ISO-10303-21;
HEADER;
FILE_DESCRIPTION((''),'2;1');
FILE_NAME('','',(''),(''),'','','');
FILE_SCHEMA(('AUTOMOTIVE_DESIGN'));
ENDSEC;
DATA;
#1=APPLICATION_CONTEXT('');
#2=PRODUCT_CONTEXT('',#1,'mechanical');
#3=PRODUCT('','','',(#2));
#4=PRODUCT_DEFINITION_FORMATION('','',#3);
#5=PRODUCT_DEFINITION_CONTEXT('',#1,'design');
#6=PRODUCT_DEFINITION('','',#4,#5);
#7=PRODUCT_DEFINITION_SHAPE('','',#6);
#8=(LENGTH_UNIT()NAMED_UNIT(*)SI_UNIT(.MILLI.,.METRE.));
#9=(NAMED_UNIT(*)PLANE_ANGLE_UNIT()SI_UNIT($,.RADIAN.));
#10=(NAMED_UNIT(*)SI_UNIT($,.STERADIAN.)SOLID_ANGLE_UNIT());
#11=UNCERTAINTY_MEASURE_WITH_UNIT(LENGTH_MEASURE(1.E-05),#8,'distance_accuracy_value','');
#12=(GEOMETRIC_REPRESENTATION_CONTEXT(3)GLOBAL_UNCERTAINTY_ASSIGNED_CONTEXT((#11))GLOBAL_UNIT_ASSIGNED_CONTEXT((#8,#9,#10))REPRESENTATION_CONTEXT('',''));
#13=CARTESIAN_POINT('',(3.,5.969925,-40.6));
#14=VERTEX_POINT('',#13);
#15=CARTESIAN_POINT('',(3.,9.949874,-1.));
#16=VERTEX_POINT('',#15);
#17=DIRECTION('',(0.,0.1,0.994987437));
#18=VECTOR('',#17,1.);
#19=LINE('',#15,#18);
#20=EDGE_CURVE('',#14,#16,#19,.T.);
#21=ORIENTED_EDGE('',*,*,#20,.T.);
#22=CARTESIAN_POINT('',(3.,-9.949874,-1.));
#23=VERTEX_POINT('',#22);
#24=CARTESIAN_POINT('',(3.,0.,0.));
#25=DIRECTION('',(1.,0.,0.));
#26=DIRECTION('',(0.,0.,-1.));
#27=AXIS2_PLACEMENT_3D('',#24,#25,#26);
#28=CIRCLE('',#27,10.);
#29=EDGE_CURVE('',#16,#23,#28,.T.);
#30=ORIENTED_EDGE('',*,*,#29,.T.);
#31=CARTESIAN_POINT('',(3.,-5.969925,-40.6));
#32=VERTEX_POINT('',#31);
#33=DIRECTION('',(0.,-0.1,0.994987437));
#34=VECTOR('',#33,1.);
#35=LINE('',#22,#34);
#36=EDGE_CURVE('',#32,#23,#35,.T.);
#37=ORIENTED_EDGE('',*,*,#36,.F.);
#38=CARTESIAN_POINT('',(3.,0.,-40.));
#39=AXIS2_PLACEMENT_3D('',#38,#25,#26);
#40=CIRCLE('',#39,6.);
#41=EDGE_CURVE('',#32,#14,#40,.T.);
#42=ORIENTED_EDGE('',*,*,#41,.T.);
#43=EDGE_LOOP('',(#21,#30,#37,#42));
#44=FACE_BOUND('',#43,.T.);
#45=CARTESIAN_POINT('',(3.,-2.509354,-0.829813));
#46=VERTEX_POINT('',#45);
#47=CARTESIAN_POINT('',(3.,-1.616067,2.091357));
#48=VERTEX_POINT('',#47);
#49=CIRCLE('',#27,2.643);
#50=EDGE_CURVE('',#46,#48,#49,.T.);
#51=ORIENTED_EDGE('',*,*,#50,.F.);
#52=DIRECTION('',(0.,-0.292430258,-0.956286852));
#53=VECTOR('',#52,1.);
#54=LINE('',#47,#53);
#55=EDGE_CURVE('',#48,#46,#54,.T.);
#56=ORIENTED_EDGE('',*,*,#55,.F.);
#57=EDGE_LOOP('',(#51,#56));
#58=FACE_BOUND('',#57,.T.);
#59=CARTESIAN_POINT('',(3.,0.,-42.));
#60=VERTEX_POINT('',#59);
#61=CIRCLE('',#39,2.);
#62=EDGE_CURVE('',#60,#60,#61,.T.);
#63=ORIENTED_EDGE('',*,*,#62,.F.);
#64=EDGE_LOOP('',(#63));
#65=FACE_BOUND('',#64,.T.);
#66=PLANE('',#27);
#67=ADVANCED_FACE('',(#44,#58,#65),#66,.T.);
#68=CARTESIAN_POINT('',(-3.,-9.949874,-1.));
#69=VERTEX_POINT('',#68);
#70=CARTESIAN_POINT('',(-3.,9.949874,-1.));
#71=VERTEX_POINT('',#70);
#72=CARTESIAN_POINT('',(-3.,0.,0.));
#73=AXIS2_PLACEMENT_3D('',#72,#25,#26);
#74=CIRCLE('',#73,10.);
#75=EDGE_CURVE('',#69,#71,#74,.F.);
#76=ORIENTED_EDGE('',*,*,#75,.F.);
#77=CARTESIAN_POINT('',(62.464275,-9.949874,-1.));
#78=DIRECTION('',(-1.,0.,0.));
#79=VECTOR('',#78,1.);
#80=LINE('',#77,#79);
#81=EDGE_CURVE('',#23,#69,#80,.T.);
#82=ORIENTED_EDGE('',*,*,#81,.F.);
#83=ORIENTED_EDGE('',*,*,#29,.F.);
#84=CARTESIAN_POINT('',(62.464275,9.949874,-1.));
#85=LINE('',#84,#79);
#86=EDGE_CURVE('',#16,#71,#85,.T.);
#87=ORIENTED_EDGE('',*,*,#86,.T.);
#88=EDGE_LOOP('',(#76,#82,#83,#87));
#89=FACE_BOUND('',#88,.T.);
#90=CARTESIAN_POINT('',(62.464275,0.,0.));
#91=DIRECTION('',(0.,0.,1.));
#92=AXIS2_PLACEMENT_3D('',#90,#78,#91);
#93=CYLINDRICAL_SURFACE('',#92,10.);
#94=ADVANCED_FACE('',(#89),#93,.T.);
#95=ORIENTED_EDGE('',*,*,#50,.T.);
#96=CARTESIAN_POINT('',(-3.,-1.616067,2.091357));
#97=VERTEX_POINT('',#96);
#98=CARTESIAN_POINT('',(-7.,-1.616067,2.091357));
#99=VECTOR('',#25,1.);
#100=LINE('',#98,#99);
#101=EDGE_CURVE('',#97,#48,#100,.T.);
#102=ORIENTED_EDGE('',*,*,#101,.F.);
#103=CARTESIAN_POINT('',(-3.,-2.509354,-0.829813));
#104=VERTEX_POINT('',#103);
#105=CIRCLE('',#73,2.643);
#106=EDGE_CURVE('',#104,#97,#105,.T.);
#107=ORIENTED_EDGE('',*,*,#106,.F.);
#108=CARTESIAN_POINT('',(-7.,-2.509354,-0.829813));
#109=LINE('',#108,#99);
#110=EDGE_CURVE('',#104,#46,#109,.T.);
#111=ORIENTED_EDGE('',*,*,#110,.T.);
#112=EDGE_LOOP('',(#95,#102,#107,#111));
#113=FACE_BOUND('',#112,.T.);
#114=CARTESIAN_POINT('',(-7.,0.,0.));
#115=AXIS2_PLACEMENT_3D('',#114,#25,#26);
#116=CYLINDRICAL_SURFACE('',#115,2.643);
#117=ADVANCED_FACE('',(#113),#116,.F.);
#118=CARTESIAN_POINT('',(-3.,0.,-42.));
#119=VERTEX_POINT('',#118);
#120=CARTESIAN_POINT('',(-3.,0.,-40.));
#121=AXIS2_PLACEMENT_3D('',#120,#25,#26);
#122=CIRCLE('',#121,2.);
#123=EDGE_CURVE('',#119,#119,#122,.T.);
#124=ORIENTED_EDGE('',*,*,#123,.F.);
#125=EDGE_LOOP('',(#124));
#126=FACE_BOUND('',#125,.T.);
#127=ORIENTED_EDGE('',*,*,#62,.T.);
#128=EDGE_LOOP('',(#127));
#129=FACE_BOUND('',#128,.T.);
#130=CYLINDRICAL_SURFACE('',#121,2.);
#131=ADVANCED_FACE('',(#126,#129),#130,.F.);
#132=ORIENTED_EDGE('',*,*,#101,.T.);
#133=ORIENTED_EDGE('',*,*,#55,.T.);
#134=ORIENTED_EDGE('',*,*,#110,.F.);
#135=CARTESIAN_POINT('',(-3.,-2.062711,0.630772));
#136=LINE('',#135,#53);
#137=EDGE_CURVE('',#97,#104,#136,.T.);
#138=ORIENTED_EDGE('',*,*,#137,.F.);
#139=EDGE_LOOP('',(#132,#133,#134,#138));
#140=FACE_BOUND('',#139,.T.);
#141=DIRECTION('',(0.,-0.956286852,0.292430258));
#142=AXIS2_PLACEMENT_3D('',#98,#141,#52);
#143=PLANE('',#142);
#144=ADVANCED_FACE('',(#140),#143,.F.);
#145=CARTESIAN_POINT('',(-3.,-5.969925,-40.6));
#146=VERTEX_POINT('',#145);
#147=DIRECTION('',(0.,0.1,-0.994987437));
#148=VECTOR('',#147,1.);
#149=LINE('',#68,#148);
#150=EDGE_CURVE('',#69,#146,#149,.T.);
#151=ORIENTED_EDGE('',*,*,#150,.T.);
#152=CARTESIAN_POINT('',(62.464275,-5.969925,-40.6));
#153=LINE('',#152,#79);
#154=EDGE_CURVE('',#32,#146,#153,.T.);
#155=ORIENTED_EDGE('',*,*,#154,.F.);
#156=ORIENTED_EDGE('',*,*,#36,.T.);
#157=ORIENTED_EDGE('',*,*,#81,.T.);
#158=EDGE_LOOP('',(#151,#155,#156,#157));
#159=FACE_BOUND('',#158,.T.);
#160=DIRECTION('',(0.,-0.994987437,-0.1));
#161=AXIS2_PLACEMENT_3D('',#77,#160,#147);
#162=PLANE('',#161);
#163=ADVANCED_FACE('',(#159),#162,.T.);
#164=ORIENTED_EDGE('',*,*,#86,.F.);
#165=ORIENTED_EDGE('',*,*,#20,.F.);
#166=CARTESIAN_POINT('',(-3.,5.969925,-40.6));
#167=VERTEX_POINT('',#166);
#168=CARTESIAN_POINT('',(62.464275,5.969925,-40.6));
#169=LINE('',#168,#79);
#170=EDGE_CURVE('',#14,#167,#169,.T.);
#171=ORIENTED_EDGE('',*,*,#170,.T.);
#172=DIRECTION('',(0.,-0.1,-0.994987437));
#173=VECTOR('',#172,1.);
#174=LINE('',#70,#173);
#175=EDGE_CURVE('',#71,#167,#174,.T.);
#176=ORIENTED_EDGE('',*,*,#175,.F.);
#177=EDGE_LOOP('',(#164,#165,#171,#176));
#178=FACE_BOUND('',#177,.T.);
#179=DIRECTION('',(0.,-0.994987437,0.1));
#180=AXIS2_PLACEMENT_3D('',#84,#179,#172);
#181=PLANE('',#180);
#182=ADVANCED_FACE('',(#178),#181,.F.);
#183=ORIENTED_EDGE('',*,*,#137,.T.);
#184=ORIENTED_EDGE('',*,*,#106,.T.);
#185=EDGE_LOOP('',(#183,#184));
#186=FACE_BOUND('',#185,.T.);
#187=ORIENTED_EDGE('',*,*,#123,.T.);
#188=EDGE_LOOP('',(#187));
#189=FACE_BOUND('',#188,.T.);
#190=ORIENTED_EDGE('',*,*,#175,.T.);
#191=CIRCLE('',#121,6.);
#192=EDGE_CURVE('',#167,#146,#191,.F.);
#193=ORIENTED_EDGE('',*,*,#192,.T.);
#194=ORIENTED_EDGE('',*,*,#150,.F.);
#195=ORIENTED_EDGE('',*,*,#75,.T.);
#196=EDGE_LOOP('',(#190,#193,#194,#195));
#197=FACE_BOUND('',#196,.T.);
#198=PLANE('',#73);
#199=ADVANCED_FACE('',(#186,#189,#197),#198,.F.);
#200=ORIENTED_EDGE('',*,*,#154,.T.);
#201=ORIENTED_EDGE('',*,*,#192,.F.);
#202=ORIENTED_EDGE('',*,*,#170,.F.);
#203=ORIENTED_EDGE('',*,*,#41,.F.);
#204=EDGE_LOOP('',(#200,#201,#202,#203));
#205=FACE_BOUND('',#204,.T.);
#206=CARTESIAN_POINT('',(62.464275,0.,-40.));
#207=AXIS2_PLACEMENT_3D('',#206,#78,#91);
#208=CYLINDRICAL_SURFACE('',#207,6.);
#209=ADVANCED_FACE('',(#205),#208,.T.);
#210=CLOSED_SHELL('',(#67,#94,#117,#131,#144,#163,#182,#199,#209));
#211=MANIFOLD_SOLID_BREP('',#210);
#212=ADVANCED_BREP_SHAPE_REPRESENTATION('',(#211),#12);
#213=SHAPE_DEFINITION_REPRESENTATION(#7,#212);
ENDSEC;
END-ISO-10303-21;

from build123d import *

# Parameters (mm, degrees)
SKETCH1_R                = 10
SKETCH1_R_2              = 6
BOSS_EXTRUDE1_DEPTH      = 3
BOSS_EXTRUDE1_DEPTH_BACK = 3
SKETCH2_R                = 2
CUT_EXTRUDE1_DEPTH       = 4
CUT_EXTRUDE1_DEPTH_BACK  = 4
CUT_EXTRUDE2_DEPTH       = 10


with BuildPart() as part:
    # Sketch1 → Boss-Extrude1 (new body, two sides)
    with BuildSketch(Plane(origin=(0, 0, 0), x_dir=(0, 0, -1), z_dir=(1, 0, 0))) as boss_extrude1_sk:
        Circle(SKETCH1_R)
        with BuildLine():
            Line((1, -9.949874371), (40.6, -5.969924623))
            ThreePointArc((40.6, -5.969924623), (34, 0), (40.6, 5.969924623))
            Line((40.6, 5.969924623), (1, 9.949874371))
            ThreePointArc((1, 9.949874371), (7.416198487, 6.708203932), (10, 0))
            ThreePointArc((10, 0), (7.416198487, -6.708203933), (1, -9.949874371))
        make_face()
        with Locations((40, 0)):
            Circle(SKETCH1_R_2)
    extrude(amount=BOSS_EXTRUDE1_DEPTH)
    extrude(boss_extrude1_sk.sketch, amount=-BOSS_EXTRUDE1_DEPTH_BACK)

    # Sketch2 → Cut-Extrude1 (cut, two sides)
    with BuildSketch(Plane(origin=(0, 0, 0), x_dir=(0, 0, -1), z_dir=(1, 0, 0))) as cut_extrude1_sk:
        with Locations((40, 0)):
            Circle(SKETCH2_R)
    extrude(amount=CUT_EXTRUDE1_DEPTH, mode=Mode.SUBTRACT)
    extrude(cut_extrude1_sk.sketch, amount=-CUT_EXTRUDE1_DEPTH_BACK, mode=Mode.SUBTRACT)

    # Sketch3 → Cut-Extrude2 (cut)
    with BuildSketch(Plane(origin=(3, 0, 0), x_dir=(0, 0, -1), z_dir=(1, 0, 0))):
        with BuildLine():
            Line((-2.09135741, -1.616067196), (0.829813276, -2.509354285))
            ThreePointArc((0.829813276, -2.509354285), (0.772893172, 2.527466151), (-2.09135741, -1.616067196))
        make_face()
    extrude(amount=-CUT_EXTRUDE2_DEPTH, mode=Mode.SUBTRACT)


solid = part.part
